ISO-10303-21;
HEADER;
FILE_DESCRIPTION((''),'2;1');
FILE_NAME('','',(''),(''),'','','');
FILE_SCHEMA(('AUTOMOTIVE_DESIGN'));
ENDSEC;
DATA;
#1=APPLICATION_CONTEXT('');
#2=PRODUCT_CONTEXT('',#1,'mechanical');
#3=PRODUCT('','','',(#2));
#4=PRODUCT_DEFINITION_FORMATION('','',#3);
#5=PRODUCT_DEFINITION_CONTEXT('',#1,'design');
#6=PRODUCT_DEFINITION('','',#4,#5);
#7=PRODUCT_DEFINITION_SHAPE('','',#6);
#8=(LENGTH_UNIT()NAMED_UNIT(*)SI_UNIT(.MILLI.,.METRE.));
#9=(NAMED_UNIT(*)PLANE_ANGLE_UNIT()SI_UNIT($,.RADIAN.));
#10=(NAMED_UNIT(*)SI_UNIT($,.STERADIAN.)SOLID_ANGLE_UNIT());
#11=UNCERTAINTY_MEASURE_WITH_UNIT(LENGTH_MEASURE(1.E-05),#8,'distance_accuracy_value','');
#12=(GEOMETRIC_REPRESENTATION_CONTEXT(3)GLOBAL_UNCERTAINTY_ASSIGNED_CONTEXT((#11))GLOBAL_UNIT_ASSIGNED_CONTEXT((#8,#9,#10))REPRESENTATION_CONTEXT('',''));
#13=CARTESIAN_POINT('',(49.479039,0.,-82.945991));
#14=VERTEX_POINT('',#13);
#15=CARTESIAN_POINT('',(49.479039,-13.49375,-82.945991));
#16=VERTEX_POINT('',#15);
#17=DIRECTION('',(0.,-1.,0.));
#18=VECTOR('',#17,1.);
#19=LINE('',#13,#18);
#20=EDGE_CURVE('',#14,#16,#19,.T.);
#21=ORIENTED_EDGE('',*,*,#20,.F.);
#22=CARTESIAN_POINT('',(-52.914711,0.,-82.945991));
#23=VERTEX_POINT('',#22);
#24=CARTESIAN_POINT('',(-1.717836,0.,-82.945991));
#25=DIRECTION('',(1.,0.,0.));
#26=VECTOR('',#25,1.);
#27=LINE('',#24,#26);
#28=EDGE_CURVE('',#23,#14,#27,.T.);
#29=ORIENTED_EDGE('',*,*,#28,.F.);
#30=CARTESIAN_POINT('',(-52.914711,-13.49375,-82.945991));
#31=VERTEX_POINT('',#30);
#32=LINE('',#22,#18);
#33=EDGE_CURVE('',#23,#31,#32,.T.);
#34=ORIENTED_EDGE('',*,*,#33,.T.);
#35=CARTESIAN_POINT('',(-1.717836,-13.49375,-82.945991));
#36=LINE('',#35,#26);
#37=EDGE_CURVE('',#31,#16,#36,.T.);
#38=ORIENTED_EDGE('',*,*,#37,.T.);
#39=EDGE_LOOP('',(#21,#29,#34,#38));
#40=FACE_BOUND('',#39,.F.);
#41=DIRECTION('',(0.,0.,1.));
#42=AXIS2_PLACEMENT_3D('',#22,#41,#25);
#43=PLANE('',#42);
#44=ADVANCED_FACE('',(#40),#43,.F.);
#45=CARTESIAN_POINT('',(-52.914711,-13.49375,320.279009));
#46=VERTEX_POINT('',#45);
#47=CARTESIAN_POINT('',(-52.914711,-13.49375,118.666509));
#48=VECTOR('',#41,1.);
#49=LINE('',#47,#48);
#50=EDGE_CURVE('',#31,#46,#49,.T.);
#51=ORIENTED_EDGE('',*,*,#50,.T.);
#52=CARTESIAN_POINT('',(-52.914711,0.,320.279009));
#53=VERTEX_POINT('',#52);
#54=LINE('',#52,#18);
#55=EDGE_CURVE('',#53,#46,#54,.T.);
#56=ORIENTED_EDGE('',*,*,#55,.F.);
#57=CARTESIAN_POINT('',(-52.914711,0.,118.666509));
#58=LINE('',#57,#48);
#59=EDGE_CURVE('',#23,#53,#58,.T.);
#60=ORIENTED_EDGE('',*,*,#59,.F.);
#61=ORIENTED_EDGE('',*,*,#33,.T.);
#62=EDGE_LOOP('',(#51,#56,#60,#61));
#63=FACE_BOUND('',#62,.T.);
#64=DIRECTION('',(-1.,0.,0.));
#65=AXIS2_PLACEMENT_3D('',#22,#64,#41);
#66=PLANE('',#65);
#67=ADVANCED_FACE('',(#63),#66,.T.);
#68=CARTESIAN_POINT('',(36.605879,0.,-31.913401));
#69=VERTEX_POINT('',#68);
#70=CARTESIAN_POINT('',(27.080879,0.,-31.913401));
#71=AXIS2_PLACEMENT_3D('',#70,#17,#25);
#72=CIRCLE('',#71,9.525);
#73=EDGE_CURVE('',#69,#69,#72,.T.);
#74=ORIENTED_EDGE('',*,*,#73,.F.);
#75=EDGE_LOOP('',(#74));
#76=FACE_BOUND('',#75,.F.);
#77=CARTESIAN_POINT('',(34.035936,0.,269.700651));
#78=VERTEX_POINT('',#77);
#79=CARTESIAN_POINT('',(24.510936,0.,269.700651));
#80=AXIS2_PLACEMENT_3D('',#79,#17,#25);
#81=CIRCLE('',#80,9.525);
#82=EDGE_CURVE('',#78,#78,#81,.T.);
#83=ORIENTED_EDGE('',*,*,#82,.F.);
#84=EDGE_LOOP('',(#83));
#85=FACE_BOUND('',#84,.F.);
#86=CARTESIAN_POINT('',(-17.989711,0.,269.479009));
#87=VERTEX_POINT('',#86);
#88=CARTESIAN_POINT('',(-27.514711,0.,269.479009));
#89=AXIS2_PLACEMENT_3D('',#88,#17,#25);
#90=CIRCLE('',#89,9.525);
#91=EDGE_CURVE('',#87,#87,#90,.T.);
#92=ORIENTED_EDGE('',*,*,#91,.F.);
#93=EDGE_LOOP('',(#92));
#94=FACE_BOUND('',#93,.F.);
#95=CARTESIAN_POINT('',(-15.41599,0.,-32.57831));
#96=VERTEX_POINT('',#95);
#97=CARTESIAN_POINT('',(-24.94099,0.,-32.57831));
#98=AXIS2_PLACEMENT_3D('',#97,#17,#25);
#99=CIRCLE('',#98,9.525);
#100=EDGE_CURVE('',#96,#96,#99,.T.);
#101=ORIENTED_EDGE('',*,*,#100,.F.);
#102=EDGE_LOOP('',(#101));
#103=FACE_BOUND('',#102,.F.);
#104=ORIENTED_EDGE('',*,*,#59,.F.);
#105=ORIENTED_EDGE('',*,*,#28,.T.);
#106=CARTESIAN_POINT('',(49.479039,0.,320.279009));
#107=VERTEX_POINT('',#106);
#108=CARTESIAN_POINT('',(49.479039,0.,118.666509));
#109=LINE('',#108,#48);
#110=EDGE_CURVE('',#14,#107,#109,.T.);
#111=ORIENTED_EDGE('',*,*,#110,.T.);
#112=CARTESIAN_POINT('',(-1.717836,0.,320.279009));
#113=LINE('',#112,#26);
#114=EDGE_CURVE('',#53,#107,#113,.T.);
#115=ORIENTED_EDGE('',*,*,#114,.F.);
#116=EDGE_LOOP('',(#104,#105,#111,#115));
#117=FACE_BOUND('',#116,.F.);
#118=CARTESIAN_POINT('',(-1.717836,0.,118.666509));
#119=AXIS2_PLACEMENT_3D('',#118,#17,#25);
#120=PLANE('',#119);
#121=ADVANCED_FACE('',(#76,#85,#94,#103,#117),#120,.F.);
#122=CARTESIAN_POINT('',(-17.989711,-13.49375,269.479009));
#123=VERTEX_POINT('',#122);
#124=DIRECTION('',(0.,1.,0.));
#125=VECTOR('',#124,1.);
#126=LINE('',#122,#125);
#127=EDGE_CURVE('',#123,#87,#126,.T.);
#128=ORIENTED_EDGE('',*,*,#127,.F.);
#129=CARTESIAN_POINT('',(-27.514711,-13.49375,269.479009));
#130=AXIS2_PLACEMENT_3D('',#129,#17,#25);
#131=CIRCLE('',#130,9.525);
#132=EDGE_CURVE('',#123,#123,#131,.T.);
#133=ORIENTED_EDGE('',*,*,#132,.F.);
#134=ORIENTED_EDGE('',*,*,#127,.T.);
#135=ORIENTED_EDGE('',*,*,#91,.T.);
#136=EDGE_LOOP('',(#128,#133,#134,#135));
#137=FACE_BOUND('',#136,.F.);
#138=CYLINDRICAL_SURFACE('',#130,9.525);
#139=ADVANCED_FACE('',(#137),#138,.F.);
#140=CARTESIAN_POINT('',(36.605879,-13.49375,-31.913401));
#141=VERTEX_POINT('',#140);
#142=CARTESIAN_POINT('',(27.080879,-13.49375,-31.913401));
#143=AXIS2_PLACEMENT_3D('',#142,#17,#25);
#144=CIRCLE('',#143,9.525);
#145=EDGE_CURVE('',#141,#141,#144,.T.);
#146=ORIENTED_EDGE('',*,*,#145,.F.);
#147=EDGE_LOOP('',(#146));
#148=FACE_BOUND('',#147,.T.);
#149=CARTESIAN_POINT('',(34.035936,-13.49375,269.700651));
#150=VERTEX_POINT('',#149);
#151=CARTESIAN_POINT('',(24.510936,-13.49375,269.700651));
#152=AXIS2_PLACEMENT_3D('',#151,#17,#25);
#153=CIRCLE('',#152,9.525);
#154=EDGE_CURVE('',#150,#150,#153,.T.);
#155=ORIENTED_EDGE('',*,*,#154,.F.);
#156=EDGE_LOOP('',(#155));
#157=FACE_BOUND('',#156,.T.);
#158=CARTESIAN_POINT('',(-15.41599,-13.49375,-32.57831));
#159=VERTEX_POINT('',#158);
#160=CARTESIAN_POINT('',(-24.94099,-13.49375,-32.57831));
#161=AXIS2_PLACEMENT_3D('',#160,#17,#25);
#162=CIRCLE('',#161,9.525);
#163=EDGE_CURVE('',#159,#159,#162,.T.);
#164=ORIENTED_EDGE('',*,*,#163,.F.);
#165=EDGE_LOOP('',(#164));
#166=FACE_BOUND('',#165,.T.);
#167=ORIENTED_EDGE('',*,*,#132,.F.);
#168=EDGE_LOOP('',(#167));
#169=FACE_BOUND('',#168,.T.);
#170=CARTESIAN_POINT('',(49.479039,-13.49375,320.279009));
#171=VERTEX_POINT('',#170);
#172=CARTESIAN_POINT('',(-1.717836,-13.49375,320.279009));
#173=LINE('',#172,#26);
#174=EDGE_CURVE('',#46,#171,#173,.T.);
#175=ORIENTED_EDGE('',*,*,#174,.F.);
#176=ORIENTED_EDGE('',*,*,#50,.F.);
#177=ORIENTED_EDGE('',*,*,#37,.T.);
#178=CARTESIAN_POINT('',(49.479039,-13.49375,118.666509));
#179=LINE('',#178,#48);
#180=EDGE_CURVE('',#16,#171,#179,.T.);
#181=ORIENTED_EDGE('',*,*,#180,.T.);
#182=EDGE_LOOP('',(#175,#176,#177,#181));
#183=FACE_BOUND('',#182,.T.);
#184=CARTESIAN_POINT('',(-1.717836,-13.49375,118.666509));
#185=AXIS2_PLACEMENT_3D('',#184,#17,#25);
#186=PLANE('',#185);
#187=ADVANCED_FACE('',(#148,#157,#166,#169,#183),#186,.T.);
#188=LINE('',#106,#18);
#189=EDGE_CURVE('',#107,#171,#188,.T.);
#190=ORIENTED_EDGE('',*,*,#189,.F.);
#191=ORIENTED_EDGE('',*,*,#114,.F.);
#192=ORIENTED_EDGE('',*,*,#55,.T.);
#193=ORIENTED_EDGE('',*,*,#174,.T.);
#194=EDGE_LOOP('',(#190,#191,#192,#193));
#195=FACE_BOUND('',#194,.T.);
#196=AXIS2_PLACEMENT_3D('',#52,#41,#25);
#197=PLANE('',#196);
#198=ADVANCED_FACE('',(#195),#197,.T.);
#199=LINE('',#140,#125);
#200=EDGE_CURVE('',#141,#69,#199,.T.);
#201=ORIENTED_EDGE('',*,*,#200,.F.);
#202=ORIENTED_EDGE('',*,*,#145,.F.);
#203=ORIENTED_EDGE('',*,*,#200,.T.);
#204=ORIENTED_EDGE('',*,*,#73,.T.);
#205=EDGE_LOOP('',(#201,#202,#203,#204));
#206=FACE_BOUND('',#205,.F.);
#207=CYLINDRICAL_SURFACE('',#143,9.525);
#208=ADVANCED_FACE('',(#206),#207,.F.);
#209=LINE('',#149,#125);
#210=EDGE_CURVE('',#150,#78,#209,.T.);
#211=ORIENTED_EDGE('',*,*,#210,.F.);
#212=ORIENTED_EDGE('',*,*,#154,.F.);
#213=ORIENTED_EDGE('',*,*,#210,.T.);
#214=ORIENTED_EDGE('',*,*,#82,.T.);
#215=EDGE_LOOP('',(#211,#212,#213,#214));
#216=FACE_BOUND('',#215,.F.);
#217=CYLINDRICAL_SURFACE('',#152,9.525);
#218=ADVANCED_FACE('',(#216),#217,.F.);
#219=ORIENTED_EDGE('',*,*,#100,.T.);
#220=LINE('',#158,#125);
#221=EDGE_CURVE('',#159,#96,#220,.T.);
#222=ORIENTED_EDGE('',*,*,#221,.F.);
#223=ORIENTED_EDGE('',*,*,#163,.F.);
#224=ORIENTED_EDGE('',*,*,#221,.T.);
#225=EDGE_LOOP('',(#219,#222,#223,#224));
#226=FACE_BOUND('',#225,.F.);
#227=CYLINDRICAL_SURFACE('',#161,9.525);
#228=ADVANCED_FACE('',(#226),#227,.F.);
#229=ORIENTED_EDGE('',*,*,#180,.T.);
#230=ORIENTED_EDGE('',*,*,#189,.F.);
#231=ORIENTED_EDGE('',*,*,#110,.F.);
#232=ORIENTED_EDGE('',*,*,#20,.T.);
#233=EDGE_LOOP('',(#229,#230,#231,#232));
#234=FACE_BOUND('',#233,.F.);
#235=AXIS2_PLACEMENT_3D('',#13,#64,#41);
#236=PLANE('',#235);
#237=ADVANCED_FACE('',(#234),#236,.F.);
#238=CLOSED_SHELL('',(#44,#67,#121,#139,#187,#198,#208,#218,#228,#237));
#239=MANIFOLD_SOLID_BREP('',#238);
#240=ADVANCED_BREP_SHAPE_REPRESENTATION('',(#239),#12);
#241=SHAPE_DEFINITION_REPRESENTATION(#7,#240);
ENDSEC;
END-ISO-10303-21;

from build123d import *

# Parameters (mm, degrees)
F0_W     = 102.39375
F0_H     = 403.225
F1_DEPTH = 13.49375
F2_R     = 9.525
F3_DEPTH = 13.49475


with BuildPart() as f1:
    # F0 (on Front) → F1 (new body)
    with BuildSketch(Plane.XZ):
        with Locations((-1.717836, 118.666509)):
            Rectangle(F0_W, F0_H)
    extrude(amount=F1_DEPTH)

    # F2 (on face) → F3 (cut, through all)
    with BuildSketch(Plane.XZ.offset(13.49375)):
        with Locations((-27.514711, 269.479009)):
            Circle(F2_R)
        with Locations((24.510936, 269.700651)):
            Circle(F2_R)
        with Locations((-24.94099, -32.57831)):
            Circle(F2_R)
        with Locations((27.080879, -31.913401)):
            Circle(F2_R)
    extrude(amount=-F3_DEPTH, mode=Mode.SUBTRACT)


solid = f1.part
